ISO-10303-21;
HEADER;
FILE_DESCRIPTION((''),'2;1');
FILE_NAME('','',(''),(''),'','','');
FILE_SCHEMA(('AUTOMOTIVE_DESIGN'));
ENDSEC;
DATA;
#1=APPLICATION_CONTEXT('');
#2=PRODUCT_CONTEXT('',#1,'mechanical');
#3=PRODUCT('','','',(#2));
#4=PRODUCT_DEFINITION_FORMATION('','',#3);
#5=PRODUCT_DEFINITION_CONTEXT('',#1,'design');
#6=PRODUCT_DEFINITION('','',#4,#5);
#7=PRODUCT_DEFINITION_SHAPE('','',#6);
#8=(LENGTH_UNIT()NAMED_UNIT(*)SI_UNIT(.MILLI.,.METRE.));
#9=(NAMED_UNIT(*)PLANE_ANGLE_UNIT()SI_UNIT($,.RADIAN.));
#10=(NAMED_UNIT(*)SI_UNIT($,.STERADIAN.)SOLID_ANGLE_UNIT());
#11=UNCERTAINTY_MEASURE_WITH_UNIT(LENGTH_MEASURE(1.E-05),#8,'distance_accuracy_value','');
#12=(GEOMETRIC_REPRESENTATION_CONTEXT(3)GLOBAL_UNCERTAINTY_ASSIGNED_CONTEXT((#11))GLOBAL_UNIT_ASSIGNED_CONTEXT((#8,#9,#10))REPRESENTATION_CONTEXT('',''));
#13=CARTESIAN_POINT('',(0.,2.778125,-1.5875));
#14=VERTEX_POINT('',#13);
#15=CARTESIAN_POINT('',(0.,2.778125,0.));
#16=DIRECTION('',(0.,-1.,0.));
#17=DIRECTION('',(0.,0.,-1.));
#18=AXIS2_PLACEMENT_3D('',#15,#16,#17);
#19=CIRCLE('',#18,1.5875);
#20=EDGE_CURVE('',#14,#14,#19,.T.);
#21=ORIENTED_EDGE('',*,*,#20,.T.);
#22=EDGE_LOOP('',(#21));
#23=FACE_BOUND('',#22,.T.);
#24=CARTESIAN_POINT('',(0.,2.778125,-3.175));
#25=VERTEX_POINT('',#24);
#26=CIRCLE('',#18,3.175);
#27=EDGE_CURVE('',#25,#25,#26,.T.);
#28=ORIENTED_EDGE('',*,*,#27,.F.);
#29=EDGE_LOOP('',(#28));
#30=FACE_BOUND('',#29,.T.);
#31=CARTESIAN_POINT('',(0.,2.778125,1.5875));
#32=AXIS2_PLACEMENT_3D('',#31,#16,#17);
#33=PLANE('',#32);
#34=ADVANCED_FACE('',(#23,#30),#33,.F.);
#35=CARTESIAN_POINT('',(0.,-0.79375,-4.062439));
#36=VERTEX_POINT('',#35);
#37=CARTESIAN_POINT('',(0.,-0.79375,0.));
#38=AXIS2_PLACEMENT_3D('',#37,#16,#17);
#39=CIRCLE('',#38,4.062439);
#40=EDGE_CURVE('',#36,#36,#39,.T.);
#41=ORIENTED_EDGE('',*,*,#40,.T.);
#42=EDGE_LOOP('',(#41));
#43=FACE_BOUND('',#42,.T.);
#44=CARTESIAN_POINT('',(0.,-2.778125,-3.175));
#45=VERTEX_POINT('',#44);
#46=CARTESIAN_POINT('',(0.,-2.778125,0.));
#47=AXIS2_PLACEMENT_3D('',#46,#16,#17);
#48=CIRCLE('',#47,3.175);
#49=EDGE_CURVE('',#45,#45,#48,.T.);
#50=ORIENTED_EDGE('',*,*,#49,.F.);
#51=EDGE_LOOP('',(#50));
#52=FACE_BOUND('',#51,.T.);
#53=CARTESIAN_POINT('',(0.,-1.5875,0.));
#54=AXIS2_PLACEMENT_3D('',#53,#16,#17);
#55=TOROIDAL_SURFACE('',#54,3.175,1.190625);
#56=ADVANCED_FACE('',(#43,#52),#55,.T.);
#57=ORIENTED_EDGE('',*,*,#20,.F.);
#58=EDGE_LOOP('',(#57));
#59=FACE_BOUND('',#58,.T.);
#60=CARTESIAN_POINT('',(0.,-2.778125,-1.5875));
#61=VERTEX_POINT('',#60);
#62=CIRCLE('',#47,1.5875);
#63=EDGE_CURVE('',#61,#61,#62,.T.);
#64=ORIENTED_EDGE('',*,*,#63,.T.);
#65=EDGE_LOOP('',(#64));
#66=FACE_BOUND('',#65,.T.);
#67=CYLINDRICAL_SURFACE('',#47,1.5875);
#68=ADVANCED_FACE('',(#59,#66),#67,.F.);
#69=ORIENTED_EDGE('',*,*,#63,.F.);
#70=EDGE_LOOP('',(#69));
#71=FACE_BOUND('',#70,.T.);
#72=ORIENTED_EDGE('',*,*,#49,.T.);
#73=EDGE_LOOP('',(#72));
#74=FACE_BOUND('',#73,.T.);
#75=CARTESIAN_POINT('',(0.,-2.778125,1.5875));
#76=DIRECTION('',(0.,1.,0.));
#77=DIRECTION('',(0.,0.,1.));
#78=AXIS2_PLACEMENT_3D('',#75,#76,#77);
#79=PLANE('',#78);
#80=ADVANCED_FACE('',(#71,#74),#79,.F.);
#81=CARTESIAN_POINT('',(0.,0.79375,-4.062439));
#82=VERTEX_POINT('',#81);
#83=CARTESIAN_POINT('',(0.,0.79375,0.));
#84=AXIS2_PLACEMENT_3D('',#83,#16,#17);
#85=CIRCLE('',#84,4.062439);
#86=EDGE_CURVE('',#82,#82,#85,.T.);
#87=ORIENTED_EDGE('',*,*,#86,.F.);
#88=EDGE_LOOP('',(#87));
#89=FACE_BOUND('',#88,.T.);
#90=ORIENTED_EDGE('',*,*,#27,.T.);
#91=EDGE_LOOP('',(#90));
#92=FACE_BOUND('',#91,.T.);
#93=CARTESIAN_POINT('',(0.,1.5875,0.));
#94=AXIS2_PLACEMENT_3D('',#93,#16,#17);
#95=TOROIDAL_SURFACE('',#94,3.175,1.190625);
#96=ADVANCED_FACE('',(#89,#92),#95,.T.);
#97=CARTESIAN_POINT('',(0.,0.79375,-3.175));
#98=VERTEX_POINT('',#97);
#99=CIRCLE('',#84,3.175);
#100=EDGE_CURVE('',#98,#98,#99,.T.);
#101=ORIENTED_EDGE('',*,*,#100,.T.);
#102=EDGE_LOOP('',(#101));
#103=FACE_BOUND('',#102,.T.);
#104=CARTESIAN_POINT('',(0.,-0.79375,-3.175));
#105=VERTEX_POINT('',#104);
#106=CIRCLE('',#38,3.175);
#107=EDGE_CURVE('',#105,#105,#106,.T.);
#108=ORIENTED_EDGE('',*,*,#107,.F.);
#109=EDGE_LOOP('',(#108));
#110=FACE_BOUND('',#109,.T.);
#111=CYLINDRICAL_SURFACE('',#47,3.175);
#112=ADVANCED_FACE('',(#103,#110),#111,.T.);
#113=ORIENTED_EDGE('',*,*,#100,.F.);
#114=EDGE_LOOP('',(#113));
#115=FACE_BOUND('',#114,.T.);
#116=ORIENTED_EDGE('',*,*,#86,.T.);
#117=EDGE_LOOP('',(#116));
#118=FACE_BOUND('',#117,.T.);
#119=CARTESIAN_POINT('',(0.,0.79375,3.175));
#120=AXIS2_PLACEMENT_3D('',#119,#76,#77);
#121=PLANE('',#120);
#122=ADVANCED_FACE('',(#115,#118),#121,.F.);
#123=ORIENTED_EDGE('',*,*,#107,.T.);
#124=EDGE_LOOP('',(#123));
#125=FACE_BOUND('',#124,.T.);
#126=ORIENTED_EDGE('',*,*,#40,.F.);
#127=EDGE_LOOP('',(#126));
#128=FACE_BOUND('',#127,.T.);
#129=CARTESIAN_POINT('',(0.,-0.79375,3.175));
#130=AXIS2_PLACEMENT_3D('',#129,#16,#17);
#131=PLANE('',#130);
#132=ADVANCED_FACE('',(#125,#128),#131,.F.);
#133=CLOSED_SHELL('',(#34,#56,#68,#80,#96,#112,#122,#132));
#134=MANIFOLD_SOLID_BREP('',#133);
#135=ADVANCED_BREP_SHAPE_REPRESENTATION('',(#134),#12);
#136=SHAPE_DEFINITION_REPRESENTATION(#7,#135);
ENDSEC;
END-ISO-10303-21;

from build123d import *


with BuildPart() as part:
    # Sketch2 → Revolve1 (revolve)
    with BuildSketch(Plane(origin=(0, 0, 0), x_dir=(0, 0, -1), z_dir=(1, 0, 0))):
        with BuildLine():
            Line((-1.5875, -2.778125), (-1.5875, 2.778125))
            Line((-1.5875, 2.778125), (-3.175, 2.778125))
            ThreePointArc((-3.175, 2.778125), (-4.26188695, 2.073570621), (-4.062439479, 0.79375))
            Line((-4.062439479, 0.79375), (-3.175, 0.79375))
            Line((-3.175, 0.79375), (-3.175, -0.79375))
            Line((-3.175, -0.79375), (-4.062439479, -0.79375))
            ThreePointArc((-4.062439479, -0.79375), (-4.26188695, -2.073570621), (-3.175, -2.778125))
            Line((-3.175, -2.778125), (-1.5875, -2.778125))
        make_face()
    revolve(axis=Axis((0, -2.778125, 0), (0, 1, 0)))


solid = part.part
